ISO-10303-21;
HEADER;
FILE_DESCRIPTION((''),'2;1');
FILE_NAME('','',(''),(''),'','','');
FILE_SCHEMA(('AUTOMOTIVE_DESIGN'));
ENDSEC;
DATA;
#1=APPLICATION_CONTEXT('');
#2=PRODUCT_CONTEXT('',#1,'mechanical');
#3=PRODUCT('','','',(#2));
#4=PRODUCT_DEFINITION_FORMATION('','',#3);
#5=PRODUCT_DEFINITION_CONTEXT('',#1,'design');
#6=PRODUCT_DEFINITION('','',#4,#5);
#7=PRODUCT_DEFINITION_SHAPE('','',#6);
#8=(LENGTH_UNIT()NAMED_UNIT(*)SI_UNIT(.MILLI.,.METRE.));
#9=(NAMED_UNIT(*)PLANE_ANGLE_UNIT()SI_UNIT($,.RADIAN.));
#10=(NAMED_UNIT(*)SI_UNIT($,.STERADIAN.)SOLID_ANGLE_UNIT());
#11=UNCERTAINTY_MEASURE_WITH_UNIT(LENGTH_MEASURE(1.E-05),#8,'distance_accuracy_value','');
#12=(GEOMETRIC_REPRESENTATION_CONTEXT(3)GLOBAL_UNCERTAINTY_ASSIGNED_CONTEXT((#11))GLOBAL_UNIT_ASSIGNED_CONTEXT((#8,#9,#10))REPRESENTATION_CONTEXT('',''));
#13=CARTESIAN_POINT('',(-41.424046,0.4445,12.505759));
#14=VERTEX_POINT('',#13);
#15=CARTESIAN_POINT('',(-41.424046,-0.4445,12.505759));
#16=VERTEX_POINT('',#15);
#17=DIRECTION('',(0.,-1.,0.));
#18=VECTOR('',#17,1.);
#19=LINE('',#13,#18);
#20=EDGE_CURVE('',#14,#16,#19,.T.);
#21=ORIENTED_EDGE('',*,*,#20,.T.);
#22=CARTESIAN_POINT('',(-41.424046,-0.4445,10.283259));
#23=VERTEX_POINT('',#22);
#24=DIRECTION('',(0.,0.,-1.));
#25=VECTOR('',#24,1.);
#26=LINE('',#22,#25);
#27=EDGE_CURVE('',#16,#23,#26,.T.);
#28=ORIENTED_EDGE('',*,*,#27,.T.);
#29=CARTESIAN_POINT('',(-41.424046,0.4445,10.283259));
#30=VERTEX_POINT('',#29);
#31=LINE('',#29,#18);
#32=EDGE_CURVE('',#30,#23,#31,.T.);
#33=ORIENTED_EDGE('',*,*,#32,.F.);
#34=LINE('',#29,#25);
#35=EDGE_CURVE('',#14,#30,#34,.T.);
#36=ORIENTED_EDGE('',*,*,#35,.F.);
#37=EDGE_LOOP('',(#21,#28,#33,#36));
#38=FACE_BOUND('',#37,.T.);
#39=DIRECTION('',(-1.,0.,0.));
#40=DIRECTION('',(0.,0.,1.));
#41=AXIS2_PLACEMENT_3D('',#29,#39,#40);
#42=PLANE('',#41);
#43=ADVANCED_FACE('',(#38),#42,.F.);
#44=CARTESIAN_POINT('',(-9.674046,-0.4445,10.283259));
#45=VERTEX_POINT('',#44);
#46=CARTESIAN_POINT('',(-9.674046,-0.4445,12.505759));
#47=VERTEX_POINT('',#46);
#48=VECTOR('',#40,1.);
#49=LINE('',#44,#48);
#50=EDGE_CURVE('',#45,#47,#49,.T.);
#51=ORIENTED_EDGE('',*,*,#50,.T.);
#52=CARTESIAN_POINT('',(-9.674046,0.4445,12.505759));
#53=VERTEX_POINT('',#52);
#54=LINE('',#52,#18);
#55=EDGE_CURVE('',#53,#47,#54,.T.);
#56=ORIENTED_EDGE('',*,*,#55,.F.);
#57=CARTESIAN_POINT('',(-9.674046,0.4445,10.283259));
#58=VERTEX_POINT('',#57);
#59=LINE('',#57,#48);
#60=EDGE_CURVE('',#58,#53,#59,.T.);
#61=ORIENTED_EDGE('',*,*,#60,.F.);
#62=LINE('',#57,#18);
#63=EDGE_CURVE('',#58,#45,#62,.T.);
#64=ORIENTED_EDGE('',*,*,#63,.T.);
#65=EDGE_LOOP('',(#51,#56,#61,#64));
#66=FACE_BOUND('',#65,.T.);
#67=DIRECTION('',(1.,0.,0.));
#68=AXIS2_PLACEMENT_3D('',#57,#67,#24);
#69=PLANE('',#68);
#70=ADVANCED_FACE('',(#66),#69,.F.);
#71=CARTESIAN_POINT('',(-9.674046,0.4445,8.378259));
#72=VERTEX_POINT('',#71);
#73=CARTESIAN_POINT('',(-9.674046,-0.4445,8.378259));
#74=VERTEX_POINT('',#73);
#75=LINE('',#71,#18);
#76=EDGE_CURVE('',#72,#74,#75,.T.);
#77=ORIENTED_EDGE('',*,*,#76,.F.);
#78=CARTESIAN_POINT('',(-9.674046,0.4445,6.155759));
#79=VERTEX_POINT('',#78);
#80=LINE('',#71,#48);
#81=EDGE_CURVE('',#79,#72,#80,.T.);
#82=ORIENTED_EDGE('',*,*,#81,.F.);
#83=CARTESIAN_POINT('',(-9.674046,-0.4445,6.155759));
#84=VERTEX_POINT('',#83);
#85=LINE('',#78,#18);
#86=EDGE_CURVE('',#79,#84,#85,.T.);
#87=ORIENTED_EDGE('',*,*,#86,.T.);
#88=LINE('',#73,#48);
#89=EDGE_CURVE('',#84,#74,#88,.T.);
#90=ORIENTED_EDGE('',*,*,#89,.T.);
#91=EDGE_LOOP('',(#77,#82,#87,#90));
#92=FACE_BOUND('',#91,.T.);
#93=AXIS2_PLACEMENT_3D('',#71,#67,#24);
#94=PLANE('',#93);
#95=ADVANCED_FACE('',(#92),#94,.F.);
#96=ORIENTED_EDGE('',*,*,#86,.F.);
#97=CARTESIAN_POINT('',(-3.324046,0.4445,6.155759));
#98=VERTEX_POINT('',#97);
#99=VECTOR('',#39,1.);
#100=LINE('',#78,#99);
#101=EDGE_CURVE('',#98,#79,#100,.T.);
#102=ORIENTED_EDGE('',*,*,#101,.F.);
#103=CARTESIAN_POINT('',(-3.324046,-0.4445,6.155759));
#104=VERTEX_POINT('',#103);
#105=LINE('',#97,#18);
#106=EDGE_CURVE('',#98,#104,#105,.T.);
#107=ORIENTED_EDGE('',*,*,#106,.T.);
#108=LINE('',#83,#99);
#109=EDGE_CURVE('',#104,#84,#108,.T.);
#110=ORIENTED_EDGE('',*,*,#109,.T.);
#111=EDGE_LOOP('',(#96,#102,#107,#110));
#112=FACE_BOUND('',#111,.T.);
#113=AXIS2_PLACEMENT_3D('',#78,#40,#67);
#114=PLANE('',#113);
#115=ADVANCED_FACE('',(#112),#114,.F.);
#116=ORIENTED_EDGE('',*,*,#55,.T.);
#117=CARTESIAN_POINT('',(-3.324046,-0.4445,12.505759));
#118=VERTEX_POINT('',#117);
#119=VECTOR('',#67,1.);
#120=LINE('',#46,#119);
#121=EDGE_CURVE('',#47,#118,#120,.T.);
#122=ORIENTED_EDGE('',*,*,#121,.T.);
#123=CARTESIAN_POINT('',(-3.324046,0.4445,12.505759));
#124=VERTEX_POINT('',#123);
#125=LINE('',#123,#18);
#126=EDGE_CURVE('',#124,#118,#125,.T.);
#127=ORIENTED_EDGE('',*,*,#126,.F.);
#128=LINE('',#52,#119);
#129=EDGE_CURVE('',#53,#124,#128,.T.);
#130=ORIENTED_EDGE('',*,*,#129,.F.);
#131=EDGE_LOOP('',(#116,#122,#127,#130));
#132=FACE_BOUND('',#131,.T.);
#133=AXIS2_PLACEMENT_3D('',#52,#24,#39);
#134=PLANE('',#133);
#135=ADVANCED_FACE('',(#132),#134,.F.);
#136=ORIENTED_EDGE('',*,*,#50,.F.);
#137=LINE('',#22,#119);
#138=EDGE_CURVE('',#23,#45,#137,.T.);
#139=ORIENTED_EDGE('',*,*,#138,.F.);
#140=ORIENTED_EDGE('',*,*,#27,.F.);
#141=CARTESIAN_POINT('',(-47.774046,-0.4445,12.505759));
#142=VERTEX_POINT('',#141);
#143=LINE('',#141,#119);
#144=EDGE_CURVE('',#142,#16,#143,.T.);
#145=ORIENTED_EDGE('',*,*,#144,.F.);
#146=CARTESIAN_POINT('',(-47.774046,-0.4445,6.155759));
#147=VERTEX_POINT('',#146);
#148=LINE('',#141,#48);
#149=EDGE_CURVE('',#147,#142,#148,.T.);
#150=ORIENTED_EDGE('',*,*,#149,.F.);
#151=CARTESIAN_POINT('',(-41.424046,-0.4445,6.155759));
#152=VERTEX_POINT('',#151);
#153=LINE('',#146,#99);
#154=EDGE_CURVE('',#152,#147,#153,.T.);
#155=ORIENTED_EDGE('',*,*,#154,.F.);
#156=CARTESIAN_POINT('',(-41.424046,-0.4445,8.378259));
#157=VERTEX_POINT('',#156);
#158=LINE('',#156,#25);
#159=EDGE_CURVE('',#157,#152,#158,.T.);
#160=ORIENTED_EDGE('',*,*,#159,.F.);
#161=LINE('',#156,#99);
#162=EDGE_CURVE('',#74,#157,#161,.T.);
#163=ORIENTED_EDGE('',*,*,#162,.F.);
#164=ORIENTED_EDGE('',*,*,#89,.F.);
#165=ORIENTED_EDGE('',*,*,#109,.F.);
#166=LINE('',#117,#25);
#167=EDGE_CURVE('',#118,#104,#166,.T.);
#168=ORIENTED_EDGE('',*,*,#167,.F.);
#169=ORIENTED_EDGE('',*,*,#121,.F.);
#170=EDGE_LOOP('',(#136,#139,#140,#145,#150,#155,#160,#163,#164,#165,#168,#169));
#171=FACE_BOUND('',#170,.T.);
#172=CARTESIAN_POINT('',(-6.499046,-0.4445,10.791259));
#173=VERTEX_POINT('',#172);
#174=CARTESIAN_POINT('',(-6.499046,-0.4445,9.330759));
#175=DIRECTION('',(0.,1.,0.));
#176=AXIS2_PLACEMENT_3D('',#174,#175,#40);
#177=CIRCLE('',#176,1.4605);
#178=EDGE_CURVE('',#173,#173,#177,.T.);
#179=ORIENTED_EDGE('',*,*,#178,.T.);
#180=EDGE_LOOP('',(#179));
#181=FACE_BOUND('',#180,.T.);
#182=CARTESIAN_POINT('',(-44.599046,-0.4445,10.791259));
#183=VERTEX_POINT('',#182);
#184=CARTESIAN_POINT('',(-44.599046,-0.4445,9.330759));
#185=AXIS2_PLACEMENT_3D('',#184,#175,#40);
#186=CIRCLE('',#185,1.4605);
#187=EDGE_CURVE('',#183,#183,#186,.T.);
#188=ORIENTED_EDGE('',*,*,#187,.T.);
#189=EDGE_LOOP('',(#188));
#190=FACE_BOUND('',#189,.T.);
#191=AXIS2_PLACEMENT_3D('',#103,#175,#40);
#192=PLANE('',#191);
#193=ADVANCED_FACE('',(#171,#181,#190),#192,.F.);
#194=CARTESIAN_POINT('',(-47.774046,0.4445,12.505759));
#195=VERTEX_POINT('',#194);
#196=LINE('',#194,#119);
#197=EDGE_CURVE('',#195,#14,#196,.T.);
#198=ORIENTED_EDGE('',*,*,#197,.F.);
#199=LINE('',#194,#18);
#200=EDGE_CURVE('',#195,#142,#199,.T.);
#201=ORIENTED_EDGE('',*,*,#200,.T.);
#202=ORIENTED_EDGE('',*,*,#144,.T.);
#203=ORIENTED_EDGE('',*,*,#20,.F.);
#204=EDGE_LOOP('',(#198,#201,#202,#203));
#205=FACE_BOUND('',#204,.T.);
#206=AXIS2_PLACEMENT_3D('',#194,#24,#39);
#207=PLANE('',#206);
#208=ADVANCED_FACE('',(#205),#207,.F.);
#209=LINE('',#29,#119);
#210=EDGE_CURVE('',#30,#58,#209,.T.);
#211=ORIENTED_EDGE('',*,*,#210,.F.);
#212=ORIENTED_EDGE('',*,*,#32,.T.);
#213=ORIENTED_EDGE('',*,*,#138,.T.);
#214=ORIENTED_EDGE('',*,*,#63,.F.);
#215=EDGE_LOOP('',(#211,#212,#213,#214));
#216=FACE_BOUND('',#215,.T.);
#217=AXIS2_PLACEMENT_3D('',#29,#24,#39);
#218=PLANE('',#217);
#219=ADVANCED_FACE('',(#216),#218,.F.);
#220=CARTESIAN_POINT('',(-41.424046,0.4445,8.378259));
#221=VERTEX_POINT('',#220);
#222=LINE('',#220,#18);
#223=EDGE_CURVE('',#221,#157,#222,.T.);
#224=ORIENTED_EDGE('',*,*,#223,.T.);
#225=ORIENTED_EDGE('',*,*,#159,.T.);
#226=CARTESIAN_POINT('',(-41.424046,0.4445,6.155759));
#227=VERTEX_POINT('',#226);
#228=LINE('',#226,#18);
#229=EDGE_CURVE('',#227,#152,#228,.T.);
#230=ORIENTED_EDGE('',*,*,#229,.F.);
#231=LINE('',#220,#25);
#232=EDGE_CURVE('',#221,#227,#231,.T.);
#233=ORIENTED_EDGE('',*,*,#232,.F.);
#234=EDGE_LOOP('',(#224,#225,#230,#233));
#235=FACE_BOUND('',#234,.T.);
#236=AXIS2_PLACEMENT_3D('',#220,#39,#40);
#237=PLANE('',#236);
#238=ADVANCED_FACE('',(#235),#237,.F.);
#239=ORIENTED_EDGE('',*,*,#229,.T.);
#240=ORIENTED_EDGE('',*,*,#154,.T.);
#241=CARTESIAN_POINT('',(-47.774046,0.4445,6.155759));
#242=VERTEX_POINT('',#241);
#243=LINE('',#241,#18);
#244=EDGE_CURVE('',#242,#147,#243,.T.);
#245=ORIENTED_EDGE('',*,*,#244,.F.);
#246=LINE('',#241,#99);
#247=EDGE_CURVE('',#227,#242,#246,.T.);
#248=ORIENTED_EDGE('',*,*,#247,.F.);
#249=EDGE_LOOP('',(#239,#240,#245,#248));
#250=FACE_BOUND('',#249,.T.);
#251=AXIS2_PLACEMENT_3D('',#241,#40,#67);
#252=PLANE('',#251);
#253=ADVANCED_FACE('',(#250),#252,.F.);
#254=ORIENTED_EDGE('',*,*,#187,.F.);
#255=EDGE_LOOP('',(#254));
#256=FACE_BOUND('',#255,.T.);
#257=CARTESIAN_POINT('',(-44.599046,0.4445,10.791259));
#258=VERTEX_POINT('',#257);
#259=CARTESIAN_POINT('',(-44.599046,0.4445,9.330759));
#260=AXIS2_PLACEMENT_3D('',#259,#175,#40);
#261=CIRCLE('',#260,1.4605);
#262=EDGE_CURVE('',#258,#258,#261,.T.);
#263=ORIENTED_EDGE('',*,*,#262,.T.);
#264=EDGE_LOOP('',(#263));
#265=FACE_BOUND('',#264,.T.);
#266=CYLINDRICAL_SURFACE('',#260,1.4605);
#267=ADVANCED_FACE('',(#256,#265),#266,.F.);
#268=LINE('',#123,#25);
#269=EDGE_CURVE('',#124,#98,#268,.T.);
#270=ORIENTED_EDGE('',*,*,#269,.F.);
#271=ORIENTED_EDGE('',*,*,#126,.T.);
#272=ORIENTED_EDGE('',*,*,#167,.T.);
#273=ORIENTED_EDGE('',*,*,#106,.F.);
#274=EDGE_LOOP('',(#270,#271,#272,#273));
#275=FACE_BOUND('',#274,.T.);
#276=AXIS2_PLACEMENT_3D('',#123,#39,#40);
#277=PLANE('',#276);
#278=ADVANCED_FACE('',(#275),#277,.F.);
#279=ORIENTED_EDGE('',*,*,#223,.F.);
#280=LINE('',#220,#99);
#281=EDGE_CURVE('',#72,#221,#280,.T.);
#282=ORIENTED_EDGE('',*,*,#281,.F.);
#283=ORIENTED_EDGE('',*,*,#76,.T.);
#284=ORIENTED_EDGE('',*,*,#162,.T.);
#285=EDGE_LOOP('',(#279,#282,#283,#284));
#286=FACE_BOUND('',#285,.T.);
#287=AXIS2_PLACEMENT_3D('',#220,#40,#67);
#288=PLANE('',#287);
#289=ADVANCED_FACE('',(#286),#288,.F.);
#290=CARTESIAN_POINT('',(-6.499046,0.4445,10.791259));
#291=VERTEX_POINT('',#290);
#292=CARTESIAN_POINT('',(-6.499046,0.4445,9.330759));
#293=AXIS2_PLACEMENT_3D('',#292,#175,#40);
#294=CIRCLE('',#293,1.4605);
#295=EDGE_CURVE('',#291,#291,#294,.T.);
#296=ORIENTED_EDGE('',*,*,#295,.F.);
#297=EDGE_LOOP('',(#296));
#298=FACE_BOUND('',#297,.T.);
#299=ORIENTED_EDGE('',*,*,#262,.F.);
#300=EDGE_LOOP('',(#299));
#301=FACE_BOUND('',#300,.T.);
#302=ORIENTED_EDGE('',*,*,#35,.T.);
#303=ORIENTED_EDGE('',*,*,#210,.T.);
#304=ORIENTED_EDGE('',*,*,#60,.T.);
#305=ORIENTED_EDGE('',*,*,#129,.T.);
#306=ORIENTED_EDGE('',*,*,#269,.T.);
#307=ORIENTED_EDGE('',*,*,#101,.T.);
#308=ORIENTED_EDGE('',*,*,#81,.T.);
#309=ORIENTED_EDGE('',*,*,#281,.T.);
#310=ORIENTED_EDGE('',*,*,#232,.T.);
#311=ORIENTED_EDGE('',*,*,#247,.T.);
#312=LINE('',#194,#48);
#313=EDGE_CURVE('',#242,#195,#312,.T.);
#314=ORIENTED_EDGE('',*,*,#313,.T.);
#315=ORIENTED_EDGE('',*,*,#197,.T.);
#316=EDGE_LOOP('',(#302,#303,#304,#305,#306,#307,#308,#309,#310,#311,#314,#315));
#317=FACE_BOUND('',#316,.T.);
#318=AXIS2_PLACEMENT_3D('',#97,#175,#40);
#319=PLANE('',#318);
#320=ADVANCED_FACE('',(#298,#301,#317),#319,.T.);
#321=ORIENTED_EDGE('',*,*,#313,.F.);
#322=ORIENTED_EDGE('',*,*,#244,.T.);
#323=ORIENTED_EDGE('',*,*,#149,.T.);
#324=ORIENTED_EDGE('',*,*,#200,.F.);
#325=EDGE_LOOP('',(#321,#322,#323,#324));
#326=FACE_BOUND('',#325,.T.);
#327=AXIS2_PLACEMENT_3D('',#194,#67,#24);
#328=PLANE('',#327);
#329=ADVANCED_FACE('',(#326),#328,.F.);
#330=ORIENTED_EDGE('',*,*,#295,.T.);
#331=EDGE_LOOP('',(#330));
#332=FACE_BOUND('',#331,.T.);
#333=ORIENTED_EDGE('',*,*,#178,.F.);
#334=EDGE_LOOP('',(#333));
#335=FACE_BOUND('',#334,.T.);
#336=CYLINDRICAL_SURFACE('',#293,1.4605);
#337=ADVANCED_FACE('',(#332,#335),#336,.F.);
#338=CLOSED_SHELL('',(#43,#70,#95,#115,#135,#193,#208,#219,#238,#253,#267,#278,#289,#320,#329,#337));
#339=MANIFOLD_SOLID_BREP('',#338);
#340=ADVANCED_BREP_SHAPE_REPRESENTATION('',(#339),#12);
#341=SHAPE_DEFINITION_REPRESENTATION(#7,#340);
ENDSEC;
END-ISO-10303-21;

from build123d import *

# Parameters (mm, degrees)
BOSS_EXTRUDE1_DEPTH          = 0.4445
F_97_0_0059_DIAMETER_HOLE1_D = 2.921


with BuildPart() as part:
    # Sketch1 → Boss-Extrude1 (new, symmetric)
    with BuildSketch(Plane(origin=(0, 0, 0), x_dir=(1, 0, 0), z_dir=(0, 1, 0))):
        Polygon((-41.424046485, -10.283259465), (-41.424046485, -12.505759465), (-47.774046485, -12.505759465), (-47.774046485, -6.155759465), (-41.424046485, -6.155759465), (-41.424046485, -8.378259465), (-9.674046485, -8.378259465), (-9.674046485, -6.155759465), (-3.324046485, -6.155759465), (-3.324046485, -12.505759465), (-9.674046485, -12.505759465), (-9.674046485, -10.283259465), align=None)
    extrude(amount=BOSS_EXTRUDE1_DEPTH, both=True)

    # #97 (0.0059) Diameter Hole1 (through all)
    with Locations(Plane(origin=(0, 0.4445, 0), x_dir=(-1, 0, 0), z_dir=(0, 1, 0))):
        with Locations((44.599046485, 9.330759465)):
            f_97_0_0059_diameter_hole1 = Hole(F_97_0_0059_DIAMETER_HOLE1_D / 2)

    # Mirror1: #97 (0.0059) Diameter Hole1 across plane
    add(f_97_0_0059_diameter_hole1.mirror(Plane(origin=(-25.549046485, 0, 0), x_dir=(0, 0, 1), z_dir=(1, 0, 0))), mode=Mode.SUBTRACT)


solid = part.part
